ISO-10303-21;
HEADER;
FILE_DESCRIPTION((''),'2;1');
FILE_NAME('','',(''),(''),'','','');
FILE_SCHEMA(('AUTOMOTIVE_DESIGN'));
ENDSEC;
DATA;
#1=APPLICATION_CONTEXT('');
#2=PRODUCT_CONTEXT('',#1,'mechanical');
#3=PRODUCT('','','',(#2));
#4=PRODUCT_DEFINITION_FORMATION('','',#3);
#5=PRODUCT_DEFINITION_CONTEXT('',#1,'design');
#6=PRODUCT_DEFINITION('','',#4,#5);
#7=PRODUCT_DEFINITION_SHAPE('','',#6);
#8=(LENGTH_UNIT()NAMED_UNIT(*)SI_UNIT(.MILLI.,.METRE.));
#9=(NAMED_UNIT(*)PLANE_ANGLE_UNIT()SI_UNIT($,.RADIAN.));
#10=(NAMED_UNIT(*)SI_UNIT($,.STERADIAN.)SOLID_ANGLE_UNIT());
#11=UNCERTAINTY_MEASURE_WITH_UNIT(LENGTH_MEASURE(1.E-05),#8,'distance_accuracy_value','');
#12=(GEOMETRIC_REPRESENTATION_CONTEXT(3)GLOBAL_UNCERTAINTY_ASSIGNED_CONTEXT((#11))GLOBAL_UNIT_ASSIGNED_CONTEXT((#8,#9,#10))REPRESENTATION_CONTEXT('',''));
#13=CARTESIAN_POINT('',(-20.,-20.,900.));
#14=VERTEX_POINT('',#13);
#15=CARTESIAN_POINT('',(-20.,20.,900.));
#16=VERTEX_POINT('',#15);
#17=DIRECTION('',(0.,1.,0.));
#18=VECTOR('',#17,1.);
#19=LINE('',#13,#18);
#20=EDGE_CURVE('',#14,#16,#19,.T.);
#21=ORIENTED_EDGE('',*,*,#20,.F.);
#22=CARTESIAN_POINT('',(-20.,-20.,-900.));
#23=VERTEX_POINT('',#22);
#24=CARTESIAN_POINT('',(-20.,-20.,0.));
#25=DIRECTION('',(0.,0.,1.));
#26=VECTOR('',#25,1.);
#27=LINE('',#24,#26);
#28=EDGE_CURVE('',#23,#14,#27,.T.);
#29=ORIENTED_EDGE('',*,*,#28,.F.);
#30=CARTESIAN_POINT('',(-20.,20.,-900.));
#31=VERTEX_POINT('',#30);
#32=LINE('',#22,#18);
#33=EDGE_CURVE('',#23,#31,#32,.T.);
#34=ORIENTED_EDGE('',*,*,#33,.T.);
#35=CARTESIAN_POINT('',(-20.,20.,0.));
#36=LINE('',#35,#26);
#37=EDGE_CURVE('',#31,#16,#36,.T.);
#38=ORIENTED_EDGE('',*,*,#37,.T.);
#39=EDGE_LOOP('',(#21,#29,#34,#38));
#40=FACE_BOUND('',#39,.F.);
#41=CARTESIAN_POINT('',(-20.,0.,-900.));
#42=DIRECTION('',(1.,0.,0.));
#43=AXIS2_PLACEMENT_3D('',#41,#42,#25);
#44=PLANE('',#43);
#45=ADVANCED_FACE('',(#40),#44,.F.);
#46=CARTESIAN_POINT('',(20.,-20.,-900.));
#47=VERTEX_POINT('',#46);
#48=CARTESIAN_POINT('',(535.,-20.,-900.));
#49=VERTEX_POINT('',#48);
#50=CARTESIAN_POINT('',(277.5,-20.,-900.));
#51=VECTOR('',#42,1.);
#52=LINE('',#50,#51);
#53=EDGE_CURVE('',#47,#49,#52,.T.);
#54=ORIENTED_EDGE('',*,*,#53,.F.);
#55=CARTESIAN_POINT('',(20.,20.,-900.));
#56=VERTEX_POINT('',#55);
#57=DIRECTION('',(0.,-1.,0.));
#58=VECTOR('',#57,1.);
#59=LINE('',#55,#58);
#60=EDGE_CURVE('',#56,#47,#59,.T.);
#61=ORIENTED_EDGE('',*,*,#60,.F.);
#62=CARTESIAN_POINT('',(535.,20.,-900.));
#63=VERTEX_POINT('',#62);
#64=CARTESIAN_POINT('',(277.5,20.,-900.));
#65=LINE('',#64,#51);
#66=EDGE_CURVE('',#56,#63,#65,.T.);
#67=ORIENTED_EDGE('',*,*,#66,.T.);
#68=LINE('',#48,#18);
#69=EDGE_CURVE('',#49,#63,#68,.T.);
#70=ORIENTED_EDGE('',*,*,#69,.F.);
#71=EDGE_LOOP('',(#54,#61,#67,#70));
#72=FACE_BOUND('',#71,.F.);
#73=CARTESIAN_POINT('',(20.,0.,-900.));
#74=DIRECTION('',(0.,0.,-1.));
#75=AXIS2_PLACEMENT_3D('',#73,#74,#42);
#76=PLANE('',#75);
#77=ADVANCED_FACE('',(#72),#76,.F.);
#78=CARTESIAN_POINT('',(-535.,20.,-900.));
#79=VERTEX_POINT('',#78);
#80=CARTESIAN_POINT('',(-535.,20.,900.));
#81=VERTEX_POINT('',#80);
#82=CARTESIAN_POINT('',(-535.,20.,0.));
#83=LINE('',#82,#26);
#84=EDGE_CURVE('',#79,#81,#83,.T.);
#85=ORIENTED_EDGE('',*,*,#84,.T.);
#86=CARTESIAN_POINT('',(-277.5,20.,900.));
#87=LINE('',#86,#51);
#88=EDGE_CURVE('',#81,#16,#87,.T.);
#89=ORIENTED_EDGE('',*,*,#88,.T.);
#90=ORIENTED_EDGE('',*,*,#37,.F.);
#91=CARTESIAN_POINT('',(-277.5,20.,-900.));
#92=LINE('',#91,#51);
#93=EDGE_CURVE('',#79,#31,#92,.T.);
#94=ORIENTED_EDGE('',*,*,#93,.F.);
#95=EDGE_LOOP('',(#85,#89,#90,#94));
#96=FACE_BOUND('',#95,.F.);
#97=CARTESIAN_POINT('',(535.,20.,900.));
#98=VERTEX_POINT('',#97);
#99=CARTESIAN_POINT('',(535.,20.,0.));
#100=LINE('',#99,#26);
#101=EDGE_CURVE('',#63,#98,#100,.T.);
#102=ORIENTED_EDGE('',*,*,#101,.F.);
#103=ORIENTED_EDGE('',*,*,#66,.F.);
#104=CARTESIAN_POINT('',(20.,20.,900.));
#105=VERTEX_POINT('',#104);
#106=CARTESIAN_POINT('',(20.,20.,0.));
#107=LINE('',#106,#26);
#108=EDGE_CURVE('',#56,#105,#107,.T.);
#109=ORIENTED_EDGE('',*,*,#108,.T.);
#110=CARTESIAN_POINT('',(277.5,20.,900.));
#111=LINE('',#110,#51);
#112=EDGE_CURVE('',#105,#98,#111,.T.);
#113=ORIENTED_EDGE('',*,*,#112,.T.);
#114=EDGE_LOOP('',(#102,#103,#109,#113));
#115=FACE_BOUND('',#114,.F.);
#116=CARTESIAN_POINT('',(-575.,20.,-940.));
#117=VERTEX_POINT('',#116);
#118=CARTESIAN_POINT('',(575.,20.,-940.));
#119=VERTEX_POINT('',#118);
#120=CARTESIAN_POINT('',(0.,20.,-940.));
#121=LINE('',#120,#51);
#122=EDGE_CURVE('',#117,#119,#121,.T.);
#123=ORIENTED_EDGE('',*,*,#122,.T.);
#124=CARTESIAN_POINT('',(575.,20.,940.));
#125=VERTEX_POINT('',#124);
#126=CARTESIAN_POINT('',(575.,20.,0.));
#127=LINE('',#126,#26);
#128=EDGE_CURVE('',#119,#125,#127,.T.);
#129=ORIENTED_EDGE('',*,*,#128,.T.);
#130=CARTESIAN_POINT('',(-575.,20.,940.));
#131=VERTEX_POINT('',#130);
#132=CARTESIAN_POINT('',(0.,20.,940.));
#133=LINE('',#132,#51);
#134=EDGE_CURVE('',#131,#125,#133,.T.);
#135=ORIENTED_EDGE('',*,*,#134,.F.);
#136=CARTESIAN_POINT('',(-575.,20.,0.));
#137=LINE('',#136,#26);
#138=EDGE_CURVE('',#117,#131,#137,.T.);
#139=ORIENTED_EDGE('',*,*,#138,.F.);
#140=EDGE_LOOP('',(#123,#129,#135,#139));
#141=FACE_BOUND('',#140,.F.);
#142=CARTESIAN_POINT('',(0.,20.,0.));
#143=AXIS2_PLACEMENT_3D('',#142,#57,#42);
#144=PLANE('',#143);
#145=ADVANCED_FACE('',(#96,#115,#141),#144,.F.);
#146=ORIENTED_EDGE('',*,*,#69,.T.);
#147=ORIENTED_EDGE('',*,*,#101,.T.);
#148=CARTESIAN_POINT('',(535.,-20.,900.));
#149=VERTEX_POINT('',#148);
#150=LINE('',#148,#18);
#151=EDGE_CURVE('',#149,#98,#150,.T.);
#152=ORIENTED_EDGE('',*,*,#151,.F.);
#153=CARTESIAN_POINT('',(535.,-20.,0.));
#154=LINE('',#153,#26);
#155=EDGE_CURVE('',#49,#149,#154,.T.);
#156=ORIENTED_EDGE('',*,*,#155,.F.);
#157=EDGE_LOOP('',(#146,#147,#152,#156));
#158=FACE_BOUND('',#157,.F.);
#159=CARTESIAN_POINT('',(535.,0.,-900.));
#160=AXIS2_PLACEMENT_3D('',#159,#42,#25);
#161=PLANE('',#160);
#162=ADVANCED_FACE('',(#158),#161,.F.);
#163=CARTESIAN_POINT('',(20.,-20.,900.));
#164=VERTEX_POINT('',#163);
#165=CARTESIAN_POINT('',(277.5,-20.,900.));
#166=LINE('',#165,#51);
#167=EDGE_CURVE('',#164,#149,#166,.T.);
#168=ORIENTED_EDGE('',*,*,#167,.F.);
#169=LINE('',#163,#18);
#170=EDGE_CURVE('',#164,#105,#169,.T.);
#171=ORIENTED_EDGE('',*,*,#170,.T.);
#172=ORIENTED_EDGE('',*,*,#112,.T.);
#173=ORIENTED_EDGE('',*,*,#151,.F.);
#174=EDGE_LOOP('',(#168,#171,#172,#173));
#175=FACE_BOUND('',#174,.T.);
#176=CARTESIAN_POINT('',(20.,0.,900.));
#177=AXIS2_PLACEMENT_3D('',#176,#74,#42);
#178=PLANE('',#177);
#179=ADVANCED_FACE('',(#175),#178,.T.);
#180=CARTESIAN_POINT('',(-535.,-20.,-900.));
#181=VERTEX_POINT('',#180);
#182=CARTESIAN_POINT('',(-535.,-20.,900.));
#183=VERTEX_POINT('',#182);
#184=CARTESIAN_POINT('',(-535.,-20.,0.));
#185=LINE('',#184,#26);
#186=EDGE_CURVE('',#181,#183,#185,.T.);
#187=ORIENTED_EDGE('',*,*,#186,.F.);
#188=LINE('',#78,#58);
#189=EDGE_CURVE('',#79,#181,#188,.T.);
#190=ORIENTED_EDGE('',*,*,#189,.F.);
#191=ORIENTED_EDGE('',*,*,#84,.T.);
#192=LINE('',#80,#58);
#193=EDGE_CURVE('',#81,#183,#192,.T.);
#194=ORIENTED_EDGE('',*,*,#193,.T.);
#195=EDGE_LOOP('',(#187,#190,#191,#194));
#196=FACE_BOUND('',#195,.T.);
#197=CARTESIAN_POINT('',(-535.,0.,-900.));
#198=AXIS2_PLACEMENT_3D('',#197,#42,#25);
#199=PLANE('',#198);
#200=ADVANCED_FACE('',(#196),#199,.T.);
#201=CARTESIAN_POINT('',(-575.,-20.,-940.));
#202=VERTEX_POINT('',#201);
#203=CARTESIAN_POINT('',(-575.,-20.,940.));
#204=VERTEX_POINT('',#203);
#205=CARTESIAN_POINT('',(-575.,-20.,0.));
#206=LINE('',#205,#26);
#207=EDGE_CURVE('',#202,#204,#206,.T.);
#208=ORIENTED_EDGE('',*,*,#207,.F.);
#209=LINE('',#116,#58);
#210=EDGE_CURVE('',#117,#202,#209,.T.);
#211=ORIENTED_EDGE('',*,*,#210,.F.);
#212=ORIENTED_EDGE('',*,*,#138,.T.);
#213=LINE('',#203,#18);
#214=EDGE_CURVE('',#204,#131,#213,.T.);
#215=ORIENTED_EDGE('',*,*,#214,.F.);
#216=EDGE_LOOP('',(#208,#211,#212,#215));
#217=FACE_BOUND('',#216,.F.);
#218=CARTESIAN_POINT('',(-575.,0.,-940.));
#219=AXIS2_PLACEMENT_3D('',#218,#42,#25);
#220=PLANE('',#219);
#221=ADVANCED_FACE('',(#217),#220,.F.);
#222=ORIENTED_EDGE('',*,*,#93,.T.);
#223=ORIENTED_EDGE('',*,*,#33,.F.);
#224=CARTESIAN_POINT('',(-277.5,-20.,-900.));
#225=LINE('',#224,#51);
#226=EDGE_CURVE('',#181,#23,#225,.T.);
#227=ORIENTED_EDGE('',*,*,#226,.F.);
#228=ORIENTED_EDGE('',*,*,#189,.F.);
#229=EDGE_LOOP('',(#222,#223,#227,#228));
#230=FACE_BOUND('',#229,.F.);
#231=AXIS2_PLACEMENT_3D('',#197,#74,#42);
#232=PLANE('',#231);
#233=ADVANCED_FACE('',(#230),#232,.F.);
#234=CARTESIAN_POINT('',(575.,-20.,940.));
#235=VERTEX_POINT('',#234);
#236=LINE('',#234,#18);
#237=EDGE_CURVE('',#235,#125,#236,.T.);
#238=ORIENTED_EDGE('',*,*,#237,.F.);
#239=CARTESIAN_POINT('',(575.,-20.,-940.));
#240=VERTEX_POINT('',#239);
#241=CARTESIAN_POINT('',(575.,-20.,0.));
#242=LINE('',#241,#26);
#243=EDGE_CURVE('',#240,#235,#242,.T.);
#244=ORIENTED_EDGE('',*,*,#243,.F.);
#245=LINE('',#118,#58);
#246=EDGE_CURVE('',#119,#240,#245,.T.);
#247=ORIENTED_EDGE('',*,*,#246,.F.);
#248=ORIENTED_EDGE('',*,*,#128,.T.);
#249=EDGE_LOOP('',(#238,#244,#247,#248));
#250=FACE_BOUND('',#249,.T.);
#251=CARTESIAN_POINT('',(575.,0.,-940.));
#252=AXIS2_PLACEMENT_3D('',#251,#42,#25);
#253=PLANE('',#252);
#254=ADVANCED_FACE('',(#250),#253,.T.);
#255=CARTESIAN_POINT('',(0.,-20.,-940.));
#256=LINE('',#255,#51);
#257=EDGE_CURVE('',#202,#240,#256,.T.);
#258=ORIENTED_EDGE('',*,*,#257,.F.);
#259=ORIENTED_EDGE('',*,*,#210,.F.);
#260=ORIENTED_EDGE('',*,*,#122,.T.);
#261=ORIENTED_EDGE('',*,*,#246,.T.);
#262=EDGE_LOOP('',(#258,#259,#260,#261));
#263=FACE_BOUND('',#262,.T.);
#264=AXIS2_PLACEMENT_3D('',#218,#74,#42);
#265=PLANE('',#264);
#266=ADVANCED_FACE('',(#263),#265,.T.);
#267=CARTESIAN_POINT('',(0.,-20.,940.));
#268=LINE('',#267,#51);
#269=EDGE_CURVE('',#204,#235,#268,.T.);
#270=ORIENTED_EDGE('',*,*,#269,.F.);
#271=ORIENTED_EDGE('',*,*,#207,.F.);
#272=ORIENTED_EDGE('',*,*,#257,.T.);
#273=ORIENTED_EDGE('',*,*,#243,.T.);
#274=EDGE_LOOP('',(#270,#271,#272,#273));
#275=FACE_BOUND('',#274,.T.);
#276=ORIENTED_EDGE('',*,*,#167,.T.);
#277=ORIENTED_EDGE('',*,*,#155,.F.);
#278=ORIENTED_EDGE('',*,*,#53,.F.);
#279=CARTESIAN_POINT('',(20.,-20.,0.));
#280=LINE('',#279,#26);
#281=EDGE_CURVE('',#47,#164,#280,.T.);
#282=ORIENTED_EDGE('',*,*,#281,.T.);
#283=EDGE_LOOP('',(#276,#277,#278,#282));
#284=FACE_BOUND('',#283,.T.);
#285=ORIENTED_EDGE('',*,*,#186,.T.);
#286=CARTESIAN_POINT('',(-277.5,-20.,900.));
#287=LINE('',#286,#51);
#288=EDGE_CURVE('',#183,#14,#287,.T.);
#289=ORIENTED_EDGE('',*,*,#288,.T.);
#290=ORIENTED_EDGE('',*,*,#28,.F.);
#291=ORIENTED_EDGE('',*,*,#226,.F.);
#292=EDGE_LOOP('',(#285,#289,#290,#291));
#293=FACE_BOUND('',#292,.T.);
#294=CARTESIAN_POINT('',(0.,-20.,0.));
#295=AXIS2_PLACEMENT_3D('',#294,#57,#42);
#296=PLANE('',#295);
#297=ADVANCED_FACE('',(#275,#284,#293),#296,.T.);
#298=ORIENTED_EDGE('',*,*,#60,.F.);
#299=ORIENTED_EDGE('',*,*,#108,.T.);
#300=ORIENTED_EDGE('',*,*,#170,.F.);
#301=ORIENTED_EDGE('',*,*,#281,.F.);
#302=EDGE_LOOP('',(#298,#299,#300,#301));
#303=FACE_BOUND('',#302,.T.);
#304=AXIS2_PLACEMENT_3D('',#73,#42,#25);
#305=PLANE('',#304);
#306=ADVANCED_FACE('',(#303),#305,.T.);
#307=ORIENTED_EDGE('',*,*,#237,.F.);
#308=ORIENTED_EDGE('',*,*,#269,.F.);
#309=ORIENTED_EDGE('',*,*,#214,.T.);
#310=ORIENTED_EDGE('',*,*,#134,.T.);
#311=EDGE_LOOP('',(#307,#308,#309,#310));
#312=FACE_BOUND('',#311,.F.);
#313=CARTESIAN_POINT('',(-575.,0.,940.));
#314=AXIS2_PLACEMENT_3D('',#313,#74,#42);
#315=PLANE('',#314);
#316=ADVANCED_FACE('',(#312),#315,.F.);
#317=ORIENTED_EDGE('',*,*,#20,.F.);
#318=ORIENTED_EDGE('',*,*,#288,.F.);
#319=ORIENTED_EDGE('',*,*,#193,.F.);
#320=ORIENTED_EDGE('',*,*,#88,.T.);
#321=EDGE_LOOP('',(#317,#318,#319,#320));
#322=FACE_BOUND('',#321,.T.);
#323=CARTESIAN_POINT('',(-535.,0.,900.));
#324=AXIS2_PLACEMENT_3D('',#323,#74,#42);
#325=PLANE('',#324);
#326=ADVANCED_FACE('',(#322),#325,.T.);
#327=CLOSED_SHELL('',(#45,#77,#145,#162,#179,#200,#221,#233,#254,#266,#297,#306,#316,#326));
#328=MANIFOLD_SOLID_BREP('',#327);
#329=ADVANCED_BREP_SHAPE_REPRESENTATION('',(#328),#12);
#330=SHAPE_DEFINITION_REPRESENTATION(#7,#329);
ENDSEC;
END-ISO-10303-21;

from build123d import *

# Parameters (mm, degrees)
F0_W     = 1150
F0_H     = 1880
F0_W_2   = 515
F0_H_2   = 1800
F1_DEPTH = 20


with BuildPart() as f1:
    # F0 (on Front) → F1 (new body, symmetric)
    with BuildSketch(Plane.XZ):
        Rectangle(F0_W, F0_H)
        with Locations((-277.5, 0)):
            Rectangle(F0_W_2, F0_H_2, mode=Mode.SUBTRACT)
        with Locations((277.5, 0)):
            Rectangle(F0_W_2, F0_H_2, mode=Mode.SUBTRACT)
    extrude(amount=F1_DEPTH, both=True)


solid = f1.part
